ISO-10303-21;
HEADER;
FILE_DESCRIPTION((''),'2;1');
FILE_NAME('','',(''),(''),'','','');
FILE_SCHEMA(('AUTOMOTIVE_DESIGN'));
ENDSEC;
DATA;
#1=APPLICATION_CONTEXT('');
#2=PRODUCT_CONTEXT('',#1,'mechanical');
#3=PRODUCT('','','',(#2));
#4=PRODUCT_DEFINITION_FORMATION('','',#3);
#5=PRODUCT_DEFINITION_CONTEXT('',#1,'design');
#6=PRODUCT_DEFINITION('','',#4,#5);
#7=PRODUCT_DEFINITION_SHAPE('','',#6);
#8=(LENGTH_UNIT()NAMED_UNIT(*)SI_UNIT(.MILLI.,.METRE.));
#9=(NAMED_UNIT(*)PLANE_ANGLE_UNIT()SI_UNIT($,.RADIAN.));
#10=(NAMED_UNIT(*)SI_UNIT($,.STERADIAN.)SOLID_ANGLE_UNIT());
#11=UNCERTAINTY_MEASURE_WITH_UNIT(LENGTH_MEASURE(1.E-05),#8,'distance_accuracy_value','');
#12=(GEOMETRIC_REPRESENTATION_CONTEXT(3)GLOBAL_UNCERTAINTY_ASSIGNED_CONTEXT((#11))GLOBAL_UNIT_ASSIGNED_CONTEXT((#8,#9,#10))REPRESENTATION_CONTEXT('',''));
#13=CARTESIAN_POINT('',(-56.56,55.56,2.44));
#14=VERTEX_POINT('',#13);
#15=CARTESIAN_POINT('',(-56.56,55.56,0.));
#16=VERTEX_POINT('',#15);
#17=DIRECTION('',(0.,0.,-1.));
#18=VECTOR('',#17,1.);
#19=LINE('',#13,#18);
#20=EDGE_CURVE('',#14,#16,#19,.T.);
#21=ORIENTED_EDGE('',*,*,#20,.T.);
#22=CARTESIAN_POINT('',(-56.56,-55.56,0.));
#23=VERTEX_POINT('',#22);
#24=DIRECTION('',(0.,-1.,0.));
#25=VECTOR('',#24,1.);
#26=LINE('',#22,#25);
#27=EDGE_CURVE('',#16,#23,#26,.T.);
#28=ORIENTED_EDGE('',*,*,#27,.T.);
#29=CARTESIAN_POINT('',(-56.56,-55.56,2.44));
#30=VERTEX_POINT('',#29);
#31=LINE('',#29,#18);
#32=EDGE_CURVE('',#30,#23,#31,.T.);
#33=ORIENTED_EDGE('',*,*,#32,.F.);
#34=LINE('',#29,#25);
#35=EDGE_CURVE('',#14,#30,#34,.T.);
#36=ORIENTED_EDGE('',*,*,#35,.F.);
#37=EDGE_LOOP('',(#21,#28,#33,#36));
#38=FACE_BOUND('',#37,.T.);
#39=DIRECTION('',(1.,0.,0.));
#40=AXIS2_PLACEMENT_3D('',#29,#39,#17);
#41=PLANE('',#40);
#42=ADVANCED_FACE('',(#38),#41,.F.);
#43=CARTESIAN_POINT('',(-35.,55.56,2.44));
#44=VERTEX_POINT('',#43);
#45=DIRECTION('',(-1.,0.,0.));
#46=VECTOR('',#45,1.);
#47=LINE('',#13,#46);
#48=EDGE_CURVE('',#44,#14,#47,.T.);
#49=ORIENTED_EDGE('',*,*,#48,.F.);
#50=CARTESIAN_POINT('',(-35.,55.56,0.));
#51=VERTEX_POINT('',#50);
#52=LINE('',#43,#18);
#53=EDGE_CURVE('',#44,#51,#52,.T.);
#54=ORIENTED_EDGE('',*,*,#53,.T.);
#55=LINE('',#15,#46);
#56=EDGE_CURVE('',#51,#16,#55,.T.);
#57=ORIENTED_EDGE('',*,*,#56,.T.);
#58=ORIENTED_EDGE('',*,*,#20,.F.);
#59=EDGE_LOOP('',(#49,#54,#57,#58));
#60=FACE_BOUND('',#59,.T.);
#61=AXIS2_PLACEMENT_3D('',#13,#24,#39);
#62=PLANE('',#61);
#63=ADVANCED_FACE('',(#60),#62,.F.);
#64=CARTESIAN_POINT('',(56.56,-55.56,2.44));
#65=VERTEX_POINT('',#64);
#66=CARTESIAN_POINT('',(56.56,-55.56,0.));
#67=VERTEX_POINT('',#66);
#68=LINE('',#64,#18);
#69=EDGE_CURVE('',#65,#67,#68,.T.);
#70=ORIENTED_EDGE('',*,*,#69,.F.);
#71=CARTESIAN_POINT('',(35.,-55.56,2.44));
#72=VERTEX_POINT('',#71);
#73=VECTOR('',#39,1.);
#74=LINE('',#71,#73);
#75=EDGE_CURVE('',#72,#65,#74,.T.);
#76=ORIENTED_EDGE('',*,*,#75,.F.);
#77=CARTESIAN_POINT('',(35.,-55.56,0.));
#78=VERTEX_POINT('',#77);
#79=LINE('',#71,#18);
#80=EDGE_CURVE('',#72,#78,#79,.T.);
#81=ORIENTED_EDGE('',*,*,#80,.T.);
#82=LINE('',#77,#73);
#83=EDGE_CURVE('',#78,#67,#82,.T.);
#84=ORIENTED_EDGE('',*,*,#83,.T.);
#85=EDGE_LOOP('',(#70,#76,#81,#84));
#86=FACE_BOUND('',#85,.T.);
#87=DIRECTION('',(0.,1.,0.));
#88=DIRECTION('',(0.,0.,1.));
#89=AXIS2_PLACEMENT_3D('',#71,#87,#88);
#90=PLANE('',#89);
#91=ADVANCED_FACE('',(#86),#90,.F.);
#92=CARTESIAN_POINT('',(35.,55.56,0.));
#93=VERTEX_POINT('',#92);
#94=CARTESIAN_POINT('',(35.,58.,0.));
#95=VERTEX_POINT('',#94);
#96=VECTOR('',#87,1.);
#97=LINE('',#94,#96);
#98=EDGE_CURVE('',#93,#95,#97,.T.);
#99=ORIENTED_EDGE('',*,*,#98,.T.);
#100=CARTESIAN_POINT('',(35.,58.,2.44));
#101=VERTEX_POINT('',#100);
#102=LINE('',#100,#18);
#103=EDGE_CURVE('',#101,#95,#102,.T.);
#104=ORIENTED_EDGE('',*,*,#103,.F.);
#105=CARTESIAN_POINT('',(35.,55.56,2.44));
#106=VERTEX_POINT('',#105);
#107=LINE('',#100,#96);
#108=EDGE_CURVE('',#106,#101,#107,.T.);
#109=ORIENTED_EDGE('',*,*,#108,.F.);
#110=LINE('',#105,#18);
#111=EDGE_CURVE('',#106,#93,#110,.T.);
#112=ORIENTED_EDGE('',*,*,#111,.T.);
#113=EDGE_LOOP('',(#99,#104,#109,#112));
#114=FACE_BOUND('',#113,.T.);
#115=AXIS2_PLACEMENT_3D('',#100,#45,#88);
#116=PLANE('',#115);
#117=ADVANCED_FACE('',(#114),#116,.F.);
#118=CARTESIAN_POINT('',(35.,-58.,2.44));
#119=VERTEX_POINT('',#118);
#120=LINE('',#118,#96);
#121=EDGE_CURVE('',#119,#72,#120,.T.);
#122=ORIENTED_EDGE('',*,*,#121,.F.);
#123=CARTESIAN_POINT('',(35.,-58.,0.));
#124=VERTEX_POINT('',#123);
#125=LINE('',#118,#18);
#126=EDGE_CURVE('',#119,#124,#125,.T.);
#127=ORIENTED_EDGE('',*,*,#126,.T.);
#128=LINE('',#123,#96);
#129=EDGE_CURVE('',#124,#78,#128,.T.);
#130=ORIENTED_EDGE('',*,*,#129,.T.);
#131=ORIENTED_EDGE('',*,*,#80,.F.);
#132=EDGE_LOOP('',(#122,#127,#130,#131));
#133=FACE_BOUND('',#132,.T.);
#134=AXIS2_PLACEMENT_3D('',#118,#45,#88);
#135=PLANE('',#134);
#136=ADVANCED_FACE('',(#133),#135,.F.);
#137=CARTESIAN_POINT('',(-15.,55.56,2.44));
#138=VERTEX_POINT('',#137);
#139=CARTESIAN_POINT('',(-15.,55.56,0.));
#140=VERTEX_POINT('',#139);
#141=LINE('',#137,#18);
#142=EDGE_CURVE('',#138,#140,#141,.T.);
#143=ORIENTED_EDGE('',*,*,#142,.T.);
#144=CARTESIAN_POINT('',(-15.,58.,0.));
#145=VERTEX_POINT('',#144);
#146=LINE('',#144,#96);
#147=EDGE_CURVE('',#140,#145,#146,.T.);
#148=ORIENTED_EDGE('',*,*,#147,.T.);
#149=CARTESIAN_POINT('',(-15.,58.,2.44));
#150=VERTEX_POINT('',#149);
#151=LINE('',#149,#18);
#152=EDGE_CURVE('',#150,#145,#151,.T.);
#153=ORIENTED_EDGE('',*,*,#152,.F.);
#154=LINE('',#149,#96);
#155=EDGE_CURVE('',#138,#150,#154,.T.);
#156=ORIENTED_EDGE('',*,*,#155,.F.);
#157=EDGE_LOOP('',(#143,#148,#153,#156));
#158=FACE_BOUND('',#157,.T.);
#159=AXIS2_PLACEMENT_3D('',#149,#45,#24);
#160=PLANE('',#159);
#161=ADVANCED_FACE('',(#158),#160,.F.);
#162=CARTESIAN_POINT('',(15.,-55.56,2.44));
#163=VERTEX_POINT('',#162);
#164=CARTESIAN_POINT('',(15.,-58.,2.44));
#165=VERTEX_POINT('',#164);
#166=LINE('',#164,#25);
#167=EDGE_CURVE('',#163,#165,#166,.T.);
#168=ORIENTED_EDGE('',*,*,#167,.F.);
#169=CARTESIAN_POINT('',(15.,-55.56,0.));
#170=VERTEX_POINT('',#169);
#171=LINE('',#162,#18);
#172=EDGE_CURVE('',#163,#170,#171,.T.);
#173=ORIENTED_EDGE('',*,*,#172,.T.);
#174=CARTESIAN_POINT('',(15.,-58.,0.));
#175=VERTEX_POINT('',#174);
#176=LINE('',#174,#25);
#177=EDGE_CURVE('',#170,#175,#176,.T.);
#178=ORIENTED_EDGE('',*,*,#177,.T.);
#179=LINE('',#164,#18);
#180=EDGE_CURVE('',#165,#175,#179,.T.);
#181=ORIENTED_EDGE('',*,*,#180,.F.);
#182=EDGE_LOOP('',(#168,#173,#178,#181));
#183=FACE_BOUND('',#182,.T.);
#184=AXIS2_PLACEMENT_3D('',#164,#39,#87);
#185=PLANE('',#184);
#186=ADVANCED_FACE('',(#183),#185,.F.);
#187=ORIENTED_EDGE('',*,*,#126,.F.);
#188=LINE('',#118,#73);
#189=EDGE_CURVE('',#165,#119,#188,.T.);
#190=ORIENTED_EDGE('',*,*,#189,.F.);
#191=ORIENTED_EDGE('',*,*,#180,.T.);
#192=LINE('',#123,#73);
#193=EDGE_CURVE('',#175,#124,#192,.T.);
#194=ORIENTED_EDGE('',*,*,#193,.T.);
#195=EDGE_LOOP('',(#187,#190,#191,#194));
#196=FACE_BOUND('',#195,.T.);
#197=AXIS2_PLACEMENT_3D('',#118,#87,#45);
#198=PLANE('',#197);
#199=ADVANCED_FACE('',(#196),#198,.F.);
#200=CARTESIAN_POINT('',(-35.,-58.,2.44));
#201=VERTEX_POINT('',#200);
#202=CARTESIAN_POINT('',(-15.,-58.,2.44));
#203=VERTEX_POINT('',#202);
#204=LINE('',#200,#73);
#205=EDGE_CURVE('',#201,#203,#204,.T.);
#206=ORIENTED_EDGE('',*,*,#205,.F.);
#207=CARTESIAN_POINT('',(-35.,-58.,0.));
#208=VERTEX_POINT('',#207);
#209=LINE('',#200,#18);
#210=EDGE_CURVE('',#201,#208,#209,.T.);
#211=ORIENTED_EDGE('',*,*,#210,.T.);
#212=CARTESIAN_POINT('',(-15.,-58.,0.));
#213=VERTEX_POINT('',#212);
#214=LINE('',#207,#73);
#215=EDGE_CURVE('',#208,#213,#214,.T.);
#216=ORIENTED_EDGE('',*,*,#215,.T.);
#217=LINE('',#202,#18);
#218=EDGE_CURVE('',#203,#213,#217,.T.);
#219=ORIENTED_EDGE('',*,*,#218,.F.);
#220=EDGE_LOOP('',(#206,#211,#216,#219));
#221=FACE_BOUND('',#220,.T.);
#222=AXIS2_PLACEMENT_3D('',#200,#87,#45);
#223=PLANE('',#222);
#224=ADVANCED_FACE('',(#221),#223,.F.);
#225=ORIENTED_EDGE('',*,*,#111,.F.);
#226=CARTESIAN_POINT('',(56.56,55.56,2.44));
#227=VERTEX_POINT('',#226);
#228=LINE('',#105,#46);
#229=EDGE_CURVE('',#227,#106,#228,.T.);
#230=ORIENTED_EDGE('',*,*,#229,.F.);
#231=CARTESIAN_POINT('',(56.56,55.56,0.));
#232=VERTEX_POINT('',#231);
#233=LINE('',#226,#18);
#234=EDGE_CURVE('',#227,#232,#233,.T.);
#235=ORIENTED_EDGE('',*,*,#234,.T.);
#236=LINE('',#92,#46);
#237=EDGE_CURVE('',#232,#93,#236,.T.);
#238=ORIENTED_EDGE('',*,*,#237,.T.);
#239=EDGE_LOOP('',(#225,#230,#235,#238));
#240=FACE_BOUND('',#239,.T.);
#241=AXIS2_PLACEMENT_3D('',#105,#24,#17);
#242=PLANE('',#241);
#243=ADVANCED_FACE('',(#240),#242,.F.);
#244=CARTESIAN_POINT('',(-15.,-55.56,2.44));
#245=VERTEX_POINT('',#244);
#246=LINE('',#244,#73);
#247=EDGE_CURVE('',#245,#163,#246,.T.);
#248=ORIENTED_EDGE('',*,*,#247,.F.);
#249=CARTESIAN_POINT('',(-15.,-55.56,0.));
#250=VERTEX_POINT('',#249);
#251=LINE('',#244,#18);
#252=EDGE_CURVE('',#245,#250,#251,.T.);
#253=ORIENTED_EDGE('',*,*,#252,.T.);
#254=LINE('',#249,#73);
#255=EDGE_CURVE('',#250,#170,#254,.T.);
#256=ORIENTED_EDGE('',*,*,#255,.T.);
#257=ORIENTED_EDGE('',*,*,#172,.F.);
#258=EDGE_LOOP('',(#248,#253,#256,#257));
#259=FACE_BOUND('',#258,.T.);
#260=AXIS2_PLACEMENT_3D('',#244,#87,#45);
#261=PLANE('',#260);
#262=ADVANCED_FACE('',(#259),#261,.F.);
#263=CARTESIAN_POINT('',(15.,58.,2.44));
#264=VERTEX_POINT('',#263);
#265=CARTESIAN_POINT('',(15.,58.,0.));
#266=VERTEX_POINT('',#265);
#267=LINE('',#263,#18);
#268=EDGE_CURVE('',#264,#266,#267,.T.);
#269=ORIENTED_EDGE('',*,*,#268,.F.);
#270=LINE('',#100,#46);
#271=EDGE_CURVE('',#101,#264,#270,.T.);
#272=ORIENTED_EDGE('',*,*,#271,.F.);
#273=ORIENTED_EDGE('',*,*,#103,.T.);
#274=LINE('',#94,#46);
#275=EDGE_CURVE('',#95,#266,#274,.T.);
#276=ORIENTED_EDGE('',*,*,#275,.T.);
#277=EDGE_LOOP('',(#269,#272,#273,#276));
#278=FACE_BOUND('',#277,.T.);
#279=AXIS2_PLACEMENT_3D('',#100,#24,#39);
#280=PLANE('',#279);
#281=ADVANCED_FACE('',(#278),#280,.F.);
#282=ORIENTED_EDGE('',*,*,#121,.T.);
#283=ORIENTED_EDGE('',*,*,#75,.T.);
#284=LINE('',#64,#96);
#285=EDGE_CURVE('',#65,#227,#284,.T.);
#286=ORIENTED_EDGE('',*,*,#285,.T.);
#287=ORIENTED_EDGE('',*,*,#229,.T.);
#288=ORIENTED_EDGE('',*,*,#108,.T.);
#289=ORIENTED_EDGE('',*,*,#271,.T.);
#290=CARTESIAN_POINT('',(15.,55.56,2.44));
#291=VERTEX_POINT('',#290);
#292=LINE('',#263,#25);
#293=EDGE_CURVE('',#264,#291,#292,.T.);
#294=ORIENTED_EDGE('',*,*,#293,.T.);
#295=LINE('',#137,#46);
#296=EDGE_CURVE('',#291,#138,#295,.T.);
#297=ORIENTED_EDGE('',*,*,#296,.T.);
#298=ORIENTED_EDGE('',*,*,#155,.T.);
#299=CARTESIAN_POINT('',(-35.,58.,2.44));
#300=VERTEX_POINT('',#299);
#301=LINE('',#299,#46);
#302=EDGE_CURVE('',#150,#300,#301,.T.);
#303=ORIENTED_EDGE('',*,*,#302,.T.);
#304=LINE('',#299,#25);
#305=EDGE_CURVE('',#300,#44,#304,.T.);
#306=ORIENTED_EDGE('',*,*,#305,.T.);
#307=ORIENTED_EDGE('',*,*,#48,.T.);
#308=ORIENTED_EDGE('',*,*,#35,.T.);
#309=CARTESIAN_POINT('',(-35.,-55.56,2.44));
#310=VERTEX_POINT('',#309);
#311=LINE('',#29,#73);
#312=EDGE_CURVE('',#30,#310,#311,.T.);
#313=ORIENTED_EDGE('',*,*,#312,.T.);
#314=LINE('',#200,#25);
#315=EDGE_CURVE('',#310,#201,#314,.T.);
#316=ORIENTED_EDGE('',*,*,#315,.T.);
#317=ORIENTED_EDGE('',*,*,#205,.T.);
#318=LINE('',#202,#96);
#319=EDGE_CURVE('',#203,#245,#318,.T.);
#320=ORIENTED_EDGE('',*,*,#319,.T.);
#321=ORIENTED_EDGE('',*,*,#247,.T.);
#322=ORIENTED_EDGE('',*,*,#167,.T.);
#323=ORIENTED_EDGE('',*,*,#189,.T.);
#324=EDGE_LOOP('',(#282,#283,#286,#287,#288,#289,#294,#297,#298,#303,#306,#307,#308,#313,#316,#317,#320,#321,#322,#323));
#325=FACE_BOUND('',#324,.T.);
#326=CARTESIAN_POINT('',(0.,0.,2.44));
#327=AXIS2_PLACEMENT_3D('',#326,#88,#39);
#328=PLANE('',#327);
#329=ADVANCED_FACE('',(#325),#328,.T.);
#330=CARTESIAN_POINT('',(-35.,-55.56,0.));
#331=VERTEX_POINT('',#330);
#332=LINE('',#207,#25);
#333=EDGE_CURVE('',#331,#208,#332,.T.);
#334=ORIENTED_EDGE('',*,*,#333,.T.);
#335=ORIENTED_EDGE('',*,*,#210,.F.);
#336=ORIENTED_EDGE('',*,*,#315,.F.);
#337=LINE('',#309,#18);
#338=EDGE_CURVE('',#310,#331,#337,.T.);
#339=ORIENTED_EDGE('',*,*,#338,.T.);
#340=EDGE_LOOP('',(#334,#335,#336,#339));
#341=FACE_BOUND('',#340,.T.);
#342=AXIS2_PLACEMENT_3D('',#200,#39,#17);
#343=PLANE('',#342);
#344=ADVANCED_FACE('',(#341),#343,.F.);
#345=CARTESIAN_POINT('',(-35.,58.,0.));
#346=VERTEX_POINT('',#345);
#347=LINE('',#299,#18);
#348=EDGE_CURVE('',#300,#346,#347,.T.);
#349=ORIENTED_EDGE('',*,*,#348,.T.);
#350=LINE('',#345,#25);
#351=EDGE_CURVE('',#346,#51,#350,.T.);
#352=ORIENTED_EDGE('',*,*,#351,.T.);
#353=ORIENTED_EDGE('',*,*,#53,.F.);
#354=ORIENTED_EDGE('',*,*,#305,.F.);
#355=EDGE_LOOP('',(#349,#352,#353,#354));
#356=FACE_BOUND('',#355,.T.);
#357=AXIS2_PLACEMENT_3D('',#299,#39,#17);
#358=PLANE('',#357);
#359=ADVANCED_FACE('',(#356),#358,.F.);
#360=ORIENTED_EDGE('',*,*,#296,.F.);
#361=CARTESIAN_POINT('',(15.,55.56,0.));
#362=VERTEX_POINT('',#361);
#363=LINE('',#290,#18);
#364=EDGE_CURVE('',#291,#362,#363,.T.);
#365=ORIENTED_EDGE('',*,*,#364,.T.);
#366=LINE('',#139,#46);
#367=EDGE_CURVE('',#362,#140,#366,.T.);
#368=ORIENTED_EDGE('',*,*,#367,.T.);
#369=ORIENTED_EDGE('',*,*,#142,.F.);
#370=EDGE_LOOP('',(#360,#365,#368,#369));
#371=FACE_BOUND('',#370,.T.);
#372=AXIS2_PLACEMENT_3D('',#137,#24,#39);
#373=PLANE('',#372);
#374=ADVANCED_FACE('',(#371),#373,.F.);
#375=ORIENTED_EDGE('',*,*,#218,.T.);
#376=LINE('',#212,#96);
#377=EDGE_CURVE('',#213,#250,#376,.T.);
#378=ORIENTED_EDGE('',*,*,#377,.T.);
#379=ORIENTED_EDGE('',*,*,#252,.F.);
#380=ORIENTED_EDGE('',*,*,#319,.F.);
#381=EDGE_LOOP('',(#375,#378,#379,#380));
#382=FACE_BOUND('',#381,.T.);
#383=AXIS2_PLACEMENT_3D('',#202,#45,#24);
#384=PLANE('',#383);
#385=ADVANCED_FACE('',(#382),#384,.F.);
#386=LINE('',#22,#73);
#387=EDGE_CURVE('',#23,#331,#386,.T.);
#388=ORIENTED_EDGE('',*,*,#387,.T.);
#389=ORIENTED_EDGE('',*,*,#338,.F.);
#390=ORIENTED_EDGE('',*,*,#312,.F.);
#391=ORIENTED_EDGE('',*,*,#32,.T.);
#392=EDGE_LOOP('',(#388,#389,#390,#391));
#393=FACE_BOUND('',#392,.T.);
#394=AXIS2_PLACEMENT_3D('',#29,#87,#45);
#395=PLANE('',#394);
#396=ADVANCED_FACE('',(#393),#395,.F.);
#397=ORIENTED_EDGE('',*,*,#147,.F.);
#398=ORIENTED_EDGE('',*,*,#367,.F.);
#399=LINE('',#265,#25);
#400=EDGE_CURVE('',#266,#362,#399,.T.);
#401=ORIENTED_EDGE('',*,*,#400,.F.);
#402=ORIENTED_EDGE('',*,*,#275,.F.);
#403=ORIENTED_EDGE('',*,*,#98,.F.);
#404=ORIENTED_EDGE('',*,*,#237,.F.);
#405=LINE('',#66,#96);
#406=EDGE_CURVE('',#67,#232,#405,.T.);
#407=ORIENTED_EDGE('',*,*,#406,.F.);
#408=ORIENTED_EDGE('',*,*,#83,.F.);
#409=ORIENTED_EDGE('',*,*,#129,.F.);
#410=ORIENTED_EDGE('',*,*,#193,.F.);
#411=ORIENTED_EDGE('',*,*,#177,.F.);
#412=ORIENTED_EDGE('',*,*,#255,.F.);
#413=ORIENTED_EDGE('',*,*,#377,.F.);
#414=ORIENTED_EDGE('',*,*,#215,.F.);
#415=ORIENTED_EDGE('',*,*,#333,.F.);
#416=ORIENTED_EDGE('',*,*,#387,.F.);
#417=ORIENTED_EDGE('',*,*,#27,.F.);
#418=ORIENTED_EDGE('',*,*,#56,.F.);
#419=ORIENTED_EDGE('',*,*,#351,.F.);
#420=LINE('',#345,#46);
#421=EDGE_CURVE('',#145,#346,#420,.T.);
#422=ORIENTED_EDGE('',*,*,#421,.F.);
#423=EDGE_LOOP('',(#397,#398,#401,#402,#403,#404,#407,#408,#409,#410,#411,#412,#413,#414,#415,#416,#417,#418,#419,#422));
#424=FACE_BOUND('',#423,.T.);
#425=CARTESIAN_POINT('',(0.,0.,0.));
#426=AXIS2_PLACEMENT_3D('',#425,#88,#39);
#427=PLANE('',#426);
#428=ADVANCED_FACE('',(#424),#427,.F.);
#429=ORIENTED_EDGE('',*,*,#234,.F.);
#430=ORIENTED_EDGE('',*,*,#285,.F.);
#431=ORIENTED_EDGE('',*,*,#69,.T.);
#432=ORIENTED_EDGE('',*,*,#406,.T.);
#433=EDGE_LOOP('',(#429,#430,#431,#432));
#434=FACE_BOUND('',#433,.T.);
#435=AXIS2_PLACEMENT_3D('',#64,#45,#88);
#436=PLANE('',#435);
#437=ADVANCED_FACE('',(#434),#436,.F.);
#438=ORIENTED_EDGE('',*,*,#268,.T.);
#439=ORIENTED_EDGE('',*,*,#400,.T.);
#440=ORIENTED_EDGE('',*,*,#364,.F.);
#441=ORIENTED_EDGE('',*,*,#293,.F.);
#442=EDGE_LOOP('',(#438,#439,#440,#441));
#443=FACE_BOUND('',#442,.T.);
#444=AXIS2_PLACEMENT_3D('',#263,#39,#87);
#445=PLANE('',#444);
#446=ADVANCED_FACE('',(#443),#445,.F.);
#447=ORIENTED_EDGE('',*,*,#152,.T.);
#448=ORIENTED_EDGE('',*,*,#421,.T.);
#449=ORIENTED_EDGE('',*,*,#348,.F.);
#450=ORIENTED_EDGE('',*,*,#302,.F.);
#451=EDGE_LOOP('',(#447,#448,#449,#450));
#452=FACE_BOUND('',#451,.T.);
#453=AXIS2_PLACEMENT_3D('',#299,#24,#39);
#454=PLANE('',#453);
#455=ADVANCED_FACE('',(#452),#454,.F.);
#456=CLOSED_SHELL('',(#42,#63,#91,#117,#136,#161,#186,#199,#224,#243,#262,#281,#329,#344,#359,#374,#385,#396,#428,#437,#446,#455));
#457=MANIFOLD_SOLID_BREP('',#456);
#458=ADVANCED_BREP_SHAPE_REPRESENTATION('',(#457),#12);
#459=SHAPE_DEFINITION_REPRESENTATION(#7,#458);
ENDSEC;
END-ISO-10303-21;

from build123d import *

# Parameters (mm, degrees)
SALIENTE_EXTRUIR1_DEPTH = 2.44


with BuildPart() as part:
    # Croquis1 → Saliente-Extruir1 (new body)
    with BuildSketch(Plane.XY):
        Polygon((-56.56, -55.56), (-35, -55.56), (-35, -58), (-15, -58), (-15, -55.56), (15, -55.56), (15, -58), (35, -58), (35, -55.56), (56.56, -55.56), (56.56, 55.56), (35, 55.56), (35, 58), (15, 58), (15, 55.56), (-15, 55.56), (-15, 58), (-35, 58), (-35, 55.56), (-56.56, 55.56), align=None)
    extrude(amount=SALIENTE_EXTRUIR1_DEPTH)


solid = part.part
